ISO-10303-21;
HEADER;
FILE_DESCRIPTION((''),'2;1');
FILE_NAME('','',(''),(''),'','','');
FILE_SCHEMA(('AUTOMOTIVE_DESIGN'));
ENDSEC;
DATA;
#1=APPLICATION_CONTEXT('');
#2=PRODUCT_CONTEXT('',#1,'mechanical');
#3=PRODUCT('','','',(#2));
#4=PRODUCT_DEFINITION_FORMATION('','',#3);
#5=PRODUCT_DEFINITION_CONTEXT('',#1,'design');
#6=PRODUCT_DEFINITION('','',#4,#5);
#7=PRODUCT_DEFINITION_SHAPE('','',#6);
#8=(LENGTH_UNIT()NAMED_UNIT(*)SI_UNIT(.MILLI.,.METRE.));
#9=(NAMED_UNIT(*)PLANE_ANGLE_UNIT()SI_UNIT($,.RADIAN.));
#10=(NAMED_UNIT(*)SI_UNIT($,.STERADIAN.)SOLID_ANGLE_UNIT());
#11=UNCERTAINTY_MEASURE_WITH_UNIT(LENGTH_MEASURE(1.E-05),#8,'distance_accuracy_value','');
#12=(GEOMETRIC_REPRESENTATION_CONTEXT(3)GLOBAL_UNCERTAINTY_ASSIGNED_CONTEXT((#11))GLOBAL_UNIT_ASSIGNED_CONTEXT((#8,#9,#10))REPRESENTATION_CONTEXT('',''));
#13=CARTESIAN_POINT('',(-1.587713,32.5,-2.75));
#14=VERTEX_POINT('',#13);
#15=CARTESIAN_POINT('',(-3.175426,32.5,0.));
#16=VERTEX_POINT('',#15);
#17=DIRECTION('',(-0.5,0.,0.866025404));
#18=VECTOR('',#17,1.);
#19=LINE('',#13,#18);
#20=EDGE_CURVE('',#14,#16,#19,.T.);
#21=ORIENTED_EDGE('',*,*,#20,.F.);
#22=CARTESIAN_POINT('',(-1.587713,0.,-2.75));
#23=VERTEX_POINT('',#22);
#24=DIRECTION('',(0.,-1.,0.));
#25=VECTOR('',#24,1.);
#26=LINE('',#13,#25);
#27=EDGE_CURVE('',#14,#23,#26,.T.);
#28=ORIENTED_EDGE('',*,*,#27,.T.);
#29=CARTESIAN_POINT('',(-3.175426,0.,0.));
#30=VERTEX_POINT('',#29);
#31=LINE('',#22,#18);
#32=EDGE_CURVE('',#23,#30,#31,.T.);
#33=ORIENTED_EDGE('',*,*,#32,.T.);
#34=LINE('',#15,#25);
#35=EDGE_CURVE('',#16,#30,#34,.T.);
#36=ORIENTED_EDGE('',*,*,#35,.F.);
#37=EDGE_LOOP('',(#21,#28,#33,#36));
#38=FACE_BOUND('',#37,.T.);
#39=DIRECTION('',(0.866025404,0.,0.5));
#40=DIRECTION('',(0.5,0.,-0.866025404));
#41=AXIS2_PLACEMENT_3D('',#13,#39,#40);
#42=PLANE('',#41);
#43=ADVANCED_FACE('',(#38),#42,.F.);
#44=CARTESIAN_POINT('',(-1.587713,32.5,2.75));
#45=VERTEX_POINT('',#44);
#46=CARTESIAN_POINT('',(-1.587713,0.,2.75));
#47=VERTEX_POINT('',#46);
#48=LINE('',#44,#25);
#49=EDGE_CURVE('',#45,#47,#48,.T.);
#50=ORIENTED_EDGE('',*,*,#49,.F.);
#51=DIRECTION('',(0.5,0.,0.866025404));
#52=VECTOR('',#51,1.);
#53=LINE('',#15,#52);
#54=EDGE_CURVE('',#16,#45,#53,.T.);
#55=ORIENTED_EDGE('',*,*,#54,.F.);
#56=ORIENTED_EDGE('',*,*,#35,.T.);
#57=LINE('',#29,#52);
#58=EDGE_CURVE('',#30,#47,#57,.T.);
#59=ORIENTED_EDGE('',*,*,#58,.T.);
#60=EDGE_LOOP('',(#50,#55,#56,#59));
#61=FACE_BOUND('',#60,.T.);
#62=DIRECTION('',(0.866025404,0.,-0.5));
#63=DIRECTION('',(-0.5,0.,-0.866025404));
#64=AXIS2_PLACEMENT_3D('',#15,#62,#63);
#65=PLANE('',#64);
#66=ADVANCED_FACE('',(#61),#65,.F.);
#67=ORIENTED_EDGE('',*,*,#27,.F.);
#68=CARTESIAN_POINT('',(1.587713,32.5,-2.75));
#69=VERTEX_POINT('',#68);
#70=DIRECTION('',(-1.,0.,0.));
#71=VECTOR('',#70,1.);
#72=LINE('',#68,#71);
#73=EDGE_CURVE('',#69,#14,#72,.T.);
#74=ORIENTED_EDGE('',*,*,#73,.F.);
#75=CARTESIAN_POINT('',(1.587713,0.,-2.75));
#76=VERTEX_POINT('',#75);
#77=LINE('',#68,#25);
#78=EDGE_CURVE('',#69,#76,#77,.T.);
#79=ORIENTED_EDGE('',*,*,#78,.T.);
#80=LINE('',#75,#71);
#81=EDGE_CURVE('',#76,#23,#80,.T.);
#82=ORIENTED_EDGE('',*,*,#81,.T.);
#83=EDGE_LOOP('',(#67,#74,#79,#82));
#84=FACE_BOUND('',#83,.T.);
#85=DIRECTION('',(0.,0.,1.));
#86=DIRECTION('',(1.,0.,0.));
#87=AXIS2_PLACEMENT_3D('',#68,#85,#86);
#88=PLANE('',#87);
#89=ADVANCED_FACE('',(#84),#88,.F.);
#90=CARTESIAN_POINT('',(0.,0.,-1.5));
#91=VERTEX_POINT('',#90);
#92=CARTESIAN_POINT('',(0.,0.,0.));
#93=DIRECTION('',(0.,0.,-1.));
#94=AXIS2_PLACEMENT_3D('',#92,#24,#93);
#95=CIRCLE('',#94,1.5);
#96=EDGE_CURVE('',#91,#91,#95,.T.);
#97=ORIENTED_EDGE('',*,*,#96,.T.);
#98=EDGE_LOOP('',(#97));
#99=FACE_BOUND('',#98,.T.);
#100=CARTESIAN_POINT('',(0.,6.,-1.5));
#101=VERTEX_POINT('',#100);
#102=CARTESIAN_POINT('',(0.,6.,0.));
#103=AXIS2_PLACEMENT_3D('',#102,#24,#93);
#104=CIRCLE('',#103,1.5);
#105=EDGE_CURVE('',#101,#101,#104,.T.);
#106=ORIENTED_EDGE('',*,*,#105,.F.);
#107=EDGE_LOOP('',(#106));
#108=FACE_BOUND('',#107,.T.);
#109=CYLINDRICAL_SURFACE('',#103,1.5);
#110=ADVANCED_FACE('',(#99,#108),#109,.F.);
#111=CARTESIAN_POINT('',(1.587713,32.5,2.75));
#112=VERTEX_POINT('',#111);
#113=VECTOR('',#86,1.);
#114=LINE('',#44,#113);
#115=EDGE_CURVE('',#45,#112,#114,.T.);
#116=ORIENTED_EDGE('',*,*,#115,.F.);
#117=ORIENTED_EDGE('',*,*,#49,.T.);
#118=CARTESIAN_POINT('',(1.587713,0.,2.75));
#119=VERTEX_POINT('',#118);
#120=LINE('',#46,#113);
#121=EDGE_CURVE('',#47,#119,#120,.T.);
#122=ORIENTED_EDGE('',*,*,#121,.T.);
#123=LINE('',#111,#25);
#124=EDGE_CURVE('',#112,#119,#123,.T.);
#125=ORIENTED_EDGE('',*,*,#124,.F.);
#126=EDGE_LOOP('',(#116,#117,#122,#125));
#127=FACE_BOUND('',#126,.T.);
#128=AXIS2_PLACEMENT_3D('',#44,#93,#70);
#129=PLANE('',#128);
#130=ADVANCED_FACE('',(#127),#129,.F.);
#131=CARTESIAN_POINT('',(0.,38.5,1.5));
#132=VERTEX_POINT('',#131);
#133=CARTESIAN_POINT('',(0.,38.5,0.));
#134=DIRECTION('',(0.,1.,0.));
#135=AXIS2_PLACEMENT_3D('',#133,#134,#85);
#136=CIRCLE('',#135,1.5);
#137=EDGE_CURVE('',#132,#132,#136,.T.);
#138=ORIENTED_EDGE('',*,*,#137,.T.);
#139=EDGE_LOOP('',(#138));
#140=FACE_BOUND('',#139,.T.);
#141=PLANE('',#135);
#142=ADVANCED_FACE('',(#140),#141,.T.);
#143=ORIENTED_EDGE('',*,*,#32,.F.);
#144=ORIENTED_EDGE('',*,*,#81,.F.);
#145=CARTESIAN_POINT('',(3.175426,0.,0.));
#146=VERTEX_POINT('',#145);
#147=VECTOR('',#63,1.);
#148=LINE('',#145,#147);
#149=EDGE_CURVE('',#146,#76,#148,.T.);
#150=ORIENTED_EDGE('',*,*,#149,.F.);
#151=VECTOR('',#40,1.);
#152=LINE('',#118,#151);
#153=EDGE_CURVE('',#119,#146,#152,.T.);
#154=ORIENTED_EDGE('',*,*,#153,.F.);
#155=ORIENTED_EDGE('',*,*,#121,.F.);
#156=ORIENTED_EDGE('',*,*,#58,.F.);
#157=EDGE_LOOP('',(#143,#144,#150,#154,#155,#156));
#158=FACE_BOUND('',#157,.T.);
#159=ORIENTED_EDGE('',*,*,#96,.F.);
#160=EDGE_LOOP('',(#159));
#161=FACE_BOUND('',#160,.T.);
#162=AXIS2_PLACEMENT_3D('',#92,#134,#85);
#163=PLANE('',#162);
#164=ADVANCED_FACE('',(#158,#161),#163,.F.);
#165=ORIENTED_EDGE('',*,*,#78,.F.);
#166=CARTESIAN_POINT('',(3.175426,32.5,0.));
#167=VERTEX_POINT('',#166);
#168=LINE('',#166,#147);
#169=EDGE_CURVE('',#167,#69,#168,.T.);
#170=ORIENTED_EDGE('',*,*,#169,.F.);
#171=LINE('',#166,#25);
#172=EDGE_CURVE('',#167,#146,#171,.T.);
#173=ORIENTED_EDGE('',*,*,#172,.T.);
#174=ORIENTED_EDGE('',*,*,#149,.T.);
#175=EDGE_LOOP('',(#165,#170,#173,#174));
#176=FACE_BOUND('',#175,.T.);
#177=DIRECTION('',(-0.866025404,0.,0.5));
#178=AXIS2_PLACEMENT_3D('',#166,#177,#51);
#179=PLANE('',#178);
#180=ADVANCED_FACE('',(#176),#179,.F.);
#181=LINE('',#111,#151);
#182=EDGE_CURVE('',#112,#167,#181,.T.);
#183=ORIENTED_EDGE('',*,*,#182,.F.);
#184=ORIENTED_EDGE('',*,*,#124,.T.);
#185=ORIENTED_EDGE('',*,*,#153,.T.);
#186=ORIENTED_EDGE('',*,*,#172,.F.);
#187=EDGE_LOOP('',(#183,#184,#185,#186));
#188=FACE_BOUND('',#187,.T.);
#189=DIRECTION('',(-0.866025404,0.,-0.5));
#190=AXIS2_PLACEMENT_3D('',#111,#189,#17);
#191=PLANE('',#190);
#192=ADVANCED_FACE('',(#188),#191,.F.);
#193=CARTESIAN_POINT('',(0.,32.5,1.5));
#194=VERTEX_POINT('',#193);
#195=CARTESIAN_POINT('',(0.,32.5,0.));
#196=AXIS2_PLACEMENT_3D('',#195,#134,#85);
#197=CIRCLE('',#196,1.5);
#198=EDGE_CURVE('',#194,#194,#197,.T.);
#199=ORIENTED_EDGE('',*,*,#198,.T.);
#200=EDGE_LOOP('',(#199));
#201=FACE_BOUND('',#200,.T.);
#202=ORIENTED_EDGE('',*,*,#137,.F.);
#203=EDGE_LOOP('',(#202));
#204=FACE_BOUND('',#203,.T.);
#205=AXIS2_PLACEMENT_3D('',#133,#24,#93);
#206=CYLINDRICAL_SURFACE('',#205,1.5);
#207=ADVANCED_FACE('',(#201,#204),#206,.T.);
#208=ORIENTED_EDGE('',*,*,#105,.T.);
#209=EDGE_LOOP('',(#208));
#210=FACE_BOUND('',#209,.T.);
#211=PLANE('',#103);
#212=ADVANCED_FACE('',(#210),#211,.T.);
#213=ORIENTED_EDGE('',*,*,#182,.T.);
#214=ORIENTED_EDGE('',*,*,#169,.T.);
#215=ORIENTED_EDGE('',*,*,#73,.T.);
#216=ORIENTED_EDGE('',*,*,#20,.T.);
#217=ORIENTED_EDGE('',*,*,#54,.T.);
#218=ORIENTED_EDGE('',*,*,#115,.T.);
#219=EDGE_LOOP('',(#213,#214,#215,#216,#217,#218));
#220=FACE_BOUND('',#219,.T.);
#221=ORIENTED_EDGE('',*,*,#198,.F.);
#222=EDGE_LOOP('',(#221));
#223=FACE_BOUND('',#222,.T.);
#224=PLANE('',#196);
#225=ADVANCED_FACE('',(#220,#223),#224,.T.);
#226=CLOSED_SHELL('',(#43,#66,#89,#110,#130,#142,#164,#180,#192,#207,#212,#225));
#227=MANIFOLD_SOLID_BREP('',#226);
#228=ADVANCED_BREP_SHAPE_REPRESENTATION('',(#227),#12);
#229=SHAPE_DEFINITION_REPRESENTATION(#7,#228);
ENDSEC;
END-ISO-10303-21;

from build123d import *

# Parameters (mm, degrees)
BOSS_EXTRUDE1_DEPTH = 32.5
SKETCH2_R           = 1.5
CUT_EXTRUDE1_DEPTH  = 6
BOSS_EXTRUDE2_START = -32.5
SKETCH2_2_R         = 1.5
BOSS_EXTRUDE2_DEPTH = 6


with BuildPart() as part:
    # Sketch1 → Boss-Extrude1 (new body)
    with BuildSketch(Plane(origin=(0, 0, 0), x_dir=(1, 0, 0), z_dir=(0, 1, 0))):
        Polygon((1.58771324, -2.75), (3.175426481, 0), (1.58771324, 2.75), (-1.58771324, 2.75), (-3.175426481, 0), (-1.58771324, -2.75), align=None)
    extrude(amount=BOSS_EXTRUDE1_DEPTH)

    # Sketch2 → Cut-Extrude1 (cut)
    with BuildSketch(Plane.XZ):
        with Locations(Location((0, 0, 0), (0, 0, 270))):
            Circle(SKETCH2_R)
    extrude(amount=-CUT_EXTRUDE1_DEPTH, mode=Mode.SUBTRACT)

    # Sketch2<2> → Boss-Extrude2 (add)
    with BuildSketch(Plane.XZ.offset(BOSS_EXTRUDE2_START)):
        with Locations(Location((0, 0, 0), (0, 0, 270))):
            Circle(SKETCH2_2_R)
    extrude(amount=-BOSS_EXTRUDE2_DEPTH)


solid = part.part
